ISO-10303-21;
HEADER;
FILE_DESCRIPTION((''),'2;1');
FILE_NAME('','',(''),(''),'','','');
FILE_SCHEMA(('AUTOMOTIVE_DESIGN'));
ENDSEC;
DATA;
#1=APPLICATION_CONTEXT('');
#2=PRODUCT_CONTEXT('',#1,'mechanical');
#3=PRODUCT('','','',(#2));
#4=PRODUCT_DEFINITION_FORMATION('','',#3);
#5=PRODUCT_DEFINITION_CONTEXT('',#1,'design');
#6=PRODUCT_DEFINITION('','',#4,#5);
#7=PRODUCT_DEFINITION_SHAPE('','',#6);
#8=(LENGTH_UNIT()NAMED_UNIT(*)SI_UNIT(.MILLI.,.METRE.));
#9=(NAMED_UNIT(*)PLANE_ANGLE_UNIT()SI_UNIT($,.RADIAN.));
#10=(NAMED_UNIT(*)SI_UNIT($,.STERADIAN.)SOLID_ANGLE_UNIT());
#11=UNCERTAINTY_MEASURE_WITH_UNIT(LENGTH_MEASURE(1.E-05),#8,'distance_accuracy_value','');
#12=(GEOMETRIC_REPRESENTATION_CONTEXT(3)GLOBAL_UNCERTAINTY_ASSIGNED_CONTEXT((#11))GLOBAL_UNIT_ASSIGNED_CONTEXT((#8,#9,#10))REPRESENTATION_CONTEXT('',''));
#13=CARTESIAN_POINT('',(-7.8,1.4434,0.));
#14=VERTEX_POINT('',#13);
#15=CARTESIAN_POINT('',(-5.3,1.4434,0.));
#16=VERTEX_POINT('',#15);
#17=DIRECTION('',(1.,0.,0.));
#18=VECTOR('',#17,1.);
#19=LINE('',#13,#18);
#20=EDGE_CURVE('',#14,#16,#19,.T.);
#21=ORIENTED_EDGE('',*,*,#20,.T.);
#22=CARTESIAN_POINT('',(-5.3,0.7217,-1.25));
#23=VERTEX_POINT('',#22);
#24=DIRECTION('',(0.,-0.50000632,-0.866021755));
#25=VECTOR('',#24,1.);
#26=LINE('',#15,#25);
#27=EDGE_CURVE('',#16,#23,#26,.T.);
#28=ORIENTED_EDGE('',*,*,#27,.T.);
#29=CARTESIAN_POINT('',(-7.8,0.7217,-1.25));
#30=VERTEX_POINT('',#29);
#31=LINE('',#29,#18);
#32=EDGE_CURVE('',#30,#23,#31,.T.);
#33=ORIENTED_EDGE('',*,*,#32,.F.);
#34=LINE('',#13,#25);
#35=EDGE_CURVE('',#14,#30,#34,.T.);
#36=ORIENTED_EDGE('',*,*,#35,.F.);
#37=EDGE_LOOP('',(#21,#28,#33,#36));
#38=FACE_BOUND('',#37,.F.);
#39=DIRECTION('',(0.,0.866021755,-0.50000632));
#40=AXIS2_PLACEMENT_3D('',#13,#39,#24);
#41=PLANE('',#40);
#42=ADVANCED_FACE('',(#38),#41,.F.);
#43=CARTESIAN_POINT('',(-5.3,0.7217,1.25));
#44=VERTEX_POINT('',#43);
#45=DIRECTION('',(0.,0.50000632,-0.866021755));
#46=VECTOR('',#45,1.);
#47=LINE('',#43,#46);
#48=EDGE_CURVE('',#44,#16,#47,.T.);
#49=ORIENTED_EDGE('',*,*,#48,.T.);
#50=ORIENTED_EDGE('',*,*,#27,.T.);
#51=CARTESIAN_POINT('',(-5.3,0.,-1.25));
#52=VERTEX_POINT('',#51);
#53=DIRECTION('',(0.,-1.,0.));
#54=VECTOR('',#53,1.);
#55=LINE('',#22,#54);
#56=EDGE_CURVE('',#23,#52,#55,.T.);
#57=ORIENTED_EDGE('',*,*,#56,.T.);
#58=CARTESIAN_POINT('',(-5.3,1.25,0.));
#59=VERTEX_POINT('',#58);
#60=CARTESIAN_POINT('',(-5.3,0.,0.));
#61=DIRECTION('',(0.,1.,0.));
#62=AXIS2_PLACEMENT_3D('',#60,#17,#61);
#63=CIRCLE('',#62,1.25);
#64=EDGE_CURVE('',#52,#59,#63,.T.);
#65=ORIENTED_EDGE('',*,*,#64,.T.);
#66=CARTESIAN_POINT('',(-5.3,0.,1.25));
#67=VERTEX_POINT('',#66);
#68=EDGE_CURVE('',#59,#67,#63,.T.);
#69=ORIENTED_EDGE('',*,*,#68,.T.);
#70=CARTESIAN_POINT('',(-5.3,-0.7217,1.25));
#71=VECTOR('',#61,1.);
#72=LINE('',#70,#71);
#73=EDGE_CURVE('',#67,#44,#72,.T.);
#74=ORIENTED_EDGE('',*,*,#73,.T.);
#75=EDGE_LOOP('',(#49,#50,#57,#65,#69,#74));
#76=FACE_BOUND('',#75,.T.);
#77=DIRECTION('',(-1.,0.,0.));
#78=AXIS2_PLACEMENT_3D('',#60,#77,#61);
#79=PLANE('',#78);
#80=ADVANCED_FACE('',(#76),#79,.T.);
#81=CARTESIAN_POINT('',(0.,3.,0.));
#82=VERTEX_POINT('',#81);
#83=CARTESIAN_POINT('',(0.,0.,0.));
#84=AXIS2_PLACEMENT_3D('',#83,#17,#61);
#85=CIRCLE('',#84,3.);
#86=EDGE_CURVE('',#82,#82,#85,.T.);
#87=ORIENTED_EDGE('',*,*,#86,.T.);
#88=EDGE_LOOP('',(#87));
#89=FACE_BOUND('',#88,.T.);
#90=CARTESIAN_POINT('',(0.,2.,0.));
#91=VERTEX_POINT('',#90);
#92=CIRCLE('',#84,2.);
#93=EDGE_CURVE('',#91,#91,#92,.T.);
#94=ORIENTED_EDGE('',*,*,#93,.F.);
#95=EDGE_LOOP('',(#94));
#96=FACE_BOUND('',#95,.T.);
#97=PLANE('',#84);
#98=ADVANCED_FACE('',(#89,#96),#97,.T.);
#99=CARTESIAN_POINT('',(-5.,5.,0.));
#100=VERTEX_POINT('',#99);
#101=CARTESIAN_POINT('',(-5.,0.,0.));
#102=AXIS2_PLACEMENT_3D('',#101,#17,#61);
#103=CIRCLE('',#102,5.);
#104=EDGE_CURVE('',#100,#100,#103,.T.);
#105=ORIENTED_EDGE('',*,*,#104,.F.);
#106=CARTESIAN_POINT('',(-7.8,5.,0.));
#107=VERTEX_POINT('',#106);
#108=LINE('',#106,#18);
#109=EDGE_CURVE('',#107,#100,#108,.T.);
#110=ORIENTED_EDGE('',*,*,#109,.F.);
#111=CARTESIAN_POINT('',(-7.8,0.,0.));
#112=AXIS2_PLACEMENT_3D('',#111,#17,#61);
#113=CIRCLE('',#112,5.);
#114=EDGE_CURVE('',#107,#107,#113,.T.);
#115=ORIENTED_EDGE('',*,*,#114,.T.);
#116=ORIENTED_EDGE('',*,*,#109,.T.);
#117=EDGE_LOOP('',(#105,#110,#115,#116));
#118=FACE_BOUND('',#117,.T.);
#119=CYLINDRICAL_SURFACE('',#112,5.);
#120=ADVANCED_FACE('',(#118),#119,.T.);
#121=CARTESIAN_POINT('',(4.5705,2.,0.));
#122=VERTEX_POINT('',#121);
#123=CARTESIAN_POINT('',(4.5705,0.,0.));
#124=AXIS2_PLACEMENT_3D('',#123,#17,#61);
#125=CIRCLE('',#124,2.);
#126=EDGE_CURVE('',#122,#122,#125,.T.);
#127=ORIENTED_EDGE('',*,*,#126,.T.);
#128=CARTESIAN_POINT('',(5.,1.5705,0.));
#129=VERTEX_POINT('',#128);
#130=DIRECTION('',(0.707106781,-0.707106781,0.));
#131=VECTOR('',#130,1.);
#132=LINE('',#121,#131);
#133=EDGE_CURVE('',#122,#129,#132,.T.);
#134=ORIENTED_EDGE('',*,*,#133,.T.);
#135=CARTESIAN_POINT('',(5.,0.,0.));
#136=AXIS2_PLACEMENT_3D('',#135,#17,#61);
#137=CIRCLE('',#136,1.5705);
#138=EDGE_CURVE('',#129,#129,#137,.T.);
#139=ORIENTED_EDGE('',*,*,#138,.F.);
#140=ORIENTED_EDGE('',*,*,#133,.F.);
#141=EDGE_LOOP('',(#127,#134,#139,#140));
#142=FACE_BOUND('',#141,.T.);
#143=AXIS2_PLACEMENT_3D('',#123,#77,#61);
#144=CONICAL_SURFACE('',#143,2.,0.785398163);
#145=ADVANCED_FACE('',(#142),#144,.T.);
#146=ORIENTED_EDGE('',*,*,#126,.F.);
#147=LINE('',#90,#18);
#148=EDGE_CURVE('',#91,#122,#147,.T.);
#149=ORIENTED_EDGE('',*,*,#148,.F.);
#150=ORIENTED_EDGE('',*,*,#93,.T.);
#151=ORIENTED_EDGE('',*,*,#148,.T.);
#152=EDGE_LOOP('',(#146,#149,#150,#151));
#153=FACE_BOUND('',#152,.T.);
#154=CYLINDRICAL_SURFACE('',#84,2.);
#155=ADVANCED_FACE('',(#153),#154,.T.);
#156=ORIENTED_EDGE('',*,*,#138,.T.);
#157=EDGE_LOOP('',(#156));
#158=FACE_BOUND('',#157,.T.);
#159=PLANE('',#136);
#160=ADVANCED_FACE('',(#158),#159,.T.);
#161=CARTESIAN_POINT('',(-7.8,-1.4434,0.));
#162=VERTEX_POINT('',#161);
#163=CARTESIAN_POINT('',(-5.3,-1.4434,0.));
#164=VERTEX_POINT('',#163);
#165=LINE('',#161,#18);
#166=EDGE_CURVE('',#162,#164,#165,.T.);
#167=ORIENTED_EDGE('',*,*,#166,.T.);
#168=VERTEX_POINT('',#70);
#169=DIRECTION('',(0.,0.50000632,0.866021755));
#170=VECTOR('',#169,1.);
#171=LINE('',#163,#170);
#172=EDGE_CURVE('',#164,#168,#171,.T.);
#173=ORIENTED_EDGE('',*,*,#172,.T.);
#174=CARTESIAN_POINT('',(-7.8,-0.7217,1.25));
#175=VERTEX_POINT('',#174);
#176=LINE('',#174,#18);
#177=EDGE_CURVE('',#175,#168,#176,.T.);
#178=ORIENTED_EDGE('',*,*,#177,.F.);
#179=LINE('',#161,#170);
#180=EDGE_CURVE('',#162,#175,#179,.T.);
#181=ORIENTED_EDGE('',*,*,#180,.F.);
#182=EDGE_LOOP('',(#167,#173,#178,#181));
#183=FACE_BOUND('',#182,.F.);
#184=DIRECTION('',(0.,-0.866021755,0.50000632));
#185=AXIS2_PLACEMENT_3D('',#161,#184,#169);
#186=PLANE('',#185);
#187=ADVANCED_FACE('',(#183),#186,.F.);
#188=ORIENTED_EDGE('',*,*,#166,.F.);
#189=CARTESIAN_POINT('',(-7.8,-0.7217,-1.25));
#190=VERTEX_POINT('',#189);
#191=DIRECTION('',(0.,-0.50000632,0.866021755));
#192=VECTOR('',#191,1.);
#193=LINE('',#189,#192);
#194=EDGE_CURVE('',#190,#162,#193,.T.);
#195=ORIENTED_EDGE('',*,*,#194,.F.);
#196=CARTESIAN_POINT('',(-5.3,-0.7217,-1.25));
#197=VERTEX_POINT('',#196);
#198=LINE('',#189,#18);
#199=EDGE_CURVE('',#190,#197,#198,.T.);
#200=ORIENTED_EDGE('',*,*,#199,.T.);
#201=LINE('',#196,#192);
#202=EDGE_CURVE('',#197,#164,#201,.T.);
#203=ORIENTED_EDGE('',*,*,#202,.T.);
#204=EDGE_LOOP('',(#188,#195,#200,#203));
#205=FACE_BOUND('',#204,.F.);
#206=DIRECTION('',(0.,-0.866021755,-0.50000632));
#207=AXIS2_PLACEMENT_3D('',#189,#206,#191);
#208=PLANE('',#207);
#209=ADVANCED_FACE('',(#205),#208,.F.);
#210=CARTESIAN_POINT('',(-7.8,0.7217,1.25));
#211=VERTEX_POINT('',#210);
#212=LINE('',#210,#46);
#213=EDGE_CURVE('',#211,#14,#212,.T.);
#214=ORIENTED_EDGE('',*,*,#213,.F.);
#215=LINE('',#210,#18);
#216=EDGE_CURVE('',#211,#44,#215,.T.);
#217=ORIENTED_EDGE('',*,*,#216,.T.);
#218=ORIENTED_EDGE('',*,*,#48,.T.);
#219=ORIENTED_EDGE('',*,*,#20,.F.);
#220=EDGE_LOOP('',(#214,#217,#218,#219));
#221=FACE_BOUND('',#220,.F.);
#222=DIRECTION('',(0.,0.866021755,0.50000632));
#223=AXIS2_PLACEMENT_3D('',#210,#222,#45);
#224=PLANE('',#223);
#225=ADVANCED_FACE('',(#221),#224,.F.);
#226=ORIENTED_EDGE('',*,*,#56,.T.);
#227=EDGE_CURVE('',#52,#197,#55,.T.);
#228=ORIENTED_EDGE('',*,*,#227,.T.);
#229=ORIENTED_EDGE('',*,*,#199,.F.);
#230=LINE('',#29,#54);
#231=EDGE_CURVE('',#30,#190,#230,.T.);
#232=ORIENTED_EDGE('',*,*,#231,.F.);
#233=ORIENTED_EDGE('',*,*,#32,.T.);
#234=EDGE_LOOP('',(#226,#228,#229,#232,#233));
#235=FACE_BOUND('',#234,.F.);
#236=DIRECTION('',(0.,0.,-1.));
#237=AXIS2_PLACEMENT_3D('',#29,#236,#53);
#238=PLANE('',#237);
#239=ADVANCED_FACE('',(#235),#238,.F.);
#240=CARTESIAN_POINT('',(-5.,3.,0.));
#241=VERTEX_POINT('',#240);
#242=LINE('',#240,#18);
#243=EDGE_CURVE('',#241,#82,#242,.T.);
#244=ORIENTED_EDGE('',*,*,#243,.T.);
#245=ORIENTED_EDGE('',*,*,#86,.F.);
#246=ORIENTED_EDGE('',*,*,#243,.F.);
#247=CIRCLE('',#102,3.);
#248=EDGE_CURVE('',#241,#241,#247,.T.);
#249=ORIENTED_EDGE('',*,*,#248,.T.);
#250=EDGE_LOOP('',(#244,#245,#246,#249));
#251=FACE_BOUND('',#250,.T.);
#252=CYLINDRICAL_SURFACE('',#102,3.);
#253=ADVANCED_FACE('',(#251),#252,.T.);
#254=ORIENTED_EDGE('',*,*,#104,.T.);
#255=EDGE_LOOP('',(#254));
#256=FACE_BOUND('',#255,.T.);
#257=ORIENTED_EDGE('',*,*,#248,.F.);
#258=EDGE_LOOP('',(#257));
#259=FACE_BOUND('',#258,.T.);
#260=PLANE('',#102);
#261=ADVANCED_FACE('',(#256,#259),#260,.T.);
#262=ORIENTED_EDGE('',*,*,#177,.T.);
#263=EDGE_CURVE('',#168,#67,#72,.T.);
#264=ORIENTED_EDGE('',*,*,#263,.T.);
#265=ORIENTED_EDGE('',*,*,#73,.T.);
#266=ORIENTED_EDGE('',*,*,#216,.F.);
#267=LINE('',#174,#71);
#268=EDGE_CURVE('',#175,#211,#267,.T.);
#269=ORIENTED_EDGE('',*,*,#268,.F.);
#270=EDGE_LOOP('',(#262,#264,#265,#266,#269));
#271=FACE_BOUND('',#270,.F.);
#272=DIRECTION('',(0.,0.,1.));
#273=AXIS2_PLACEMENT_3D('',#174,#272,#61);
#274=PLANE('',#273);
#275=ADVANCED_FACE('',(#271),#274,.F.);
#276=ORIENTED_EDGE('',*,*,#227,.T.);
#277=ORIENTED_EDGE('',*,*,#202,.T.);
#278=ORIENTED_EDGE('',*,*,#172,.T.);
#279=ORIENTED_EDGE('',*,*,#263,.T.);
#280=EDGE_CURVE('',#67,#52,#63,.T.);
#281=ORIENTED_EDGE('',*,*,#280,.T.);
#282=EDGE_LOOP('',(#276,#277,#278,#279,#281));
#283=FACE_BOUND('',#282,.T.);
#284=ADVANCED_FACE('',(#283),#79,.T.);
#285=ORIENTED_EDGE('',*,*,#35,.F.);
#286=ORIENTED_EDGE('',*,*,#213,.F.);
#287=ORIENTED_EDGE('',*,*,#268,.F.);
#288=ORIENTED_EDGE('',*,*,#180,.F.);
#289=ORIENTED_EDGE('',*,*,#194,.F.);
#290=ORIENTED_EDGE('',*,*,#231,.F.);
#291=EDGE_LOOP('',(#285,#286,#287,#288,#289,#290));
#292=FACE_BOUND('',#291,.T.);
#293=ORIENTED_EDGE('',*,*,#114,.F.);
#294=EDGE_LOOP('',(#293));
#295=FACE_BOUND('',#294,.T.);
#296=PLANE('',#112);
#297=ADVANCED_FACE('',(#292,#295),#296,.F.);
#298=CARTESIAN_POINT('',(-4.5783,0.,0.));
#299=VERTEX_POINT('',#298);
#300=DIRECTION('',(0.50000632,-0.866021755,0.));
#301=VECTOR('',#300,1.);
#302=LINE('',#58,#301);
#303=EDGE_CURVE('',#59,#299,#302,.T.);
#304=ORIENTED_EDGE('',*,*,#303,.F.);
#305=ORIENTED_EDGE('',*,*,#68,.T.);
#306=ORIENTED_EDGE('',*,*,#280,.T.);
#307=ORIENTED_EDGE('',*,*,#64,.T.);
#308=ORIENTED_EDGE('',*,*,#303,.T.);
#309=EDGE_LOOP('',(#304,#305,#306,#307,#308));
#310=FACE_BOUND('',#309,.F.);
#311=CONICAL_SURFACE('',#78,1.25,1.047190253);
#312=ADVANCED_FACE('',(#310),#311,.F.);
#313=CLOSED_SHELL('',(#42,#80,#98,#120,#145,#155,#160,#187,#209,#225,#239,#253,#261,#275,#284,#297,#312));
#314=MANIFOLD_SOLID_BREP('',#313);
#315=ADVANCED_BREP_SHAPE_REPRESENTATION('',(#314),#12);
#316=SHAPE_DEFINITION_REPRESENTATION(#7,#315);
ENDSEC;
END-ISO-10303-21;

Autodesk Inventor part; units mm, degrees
ref_plane "YZ Plane" through (0, 0, 0) normal (1, 0, 0) x (0, 1, 0)
ref_plane "XZ Plane" through (0, 0, 0) normal (0, 1, 0) x (-1, 0, 0)
ref_plane "XY Plane" through (0, 0, 0) normal (0, 0, 1) x (1, 0, 0)
sketch "Sketch_1" plane through (0, 0, 0) normal (0, 0, 1) x (1, 0, 0)
  line L0 (5, 0) -> (-7.8, 0)
  line L1 (-7.8, 0) -> (-7.8, 5)
  line L2 (-7.8, 5) -> (-5, 5)
  line L3 (-5, 5) -> (-5, 3)
  line L4 (-5, 3) -> (0, 3)
  line L5 (0, 3) -> (0, 2)
  line L6 (0, 2) -> (4.5705, 2)
  line L7 (4.5705, 2) -> (5, 1.5705)
  line L8 (5, 1.5705) -> (5, 0)
  line L9 (5, 0) -> (-7.8, 0)
revolve "Revolution1" add sketch "Sketch_1" angle 360 about axis through (5, 0, 0) along (1, 0, 0)
thread "Thread1" size "M4x0.7" class "6g" standard "ISO Metric profile" length 3.3705
sketch "Sketch_2" plane through (-7.8, 0, 0) normal (-1, 0, 0) x (0, 1, 0)
  line L0 (-1.4434, 0) -> (-0.7217, -1.25)
  line L1 (-0.7217, -1.25) -> (0.7217, -1.25)
  line L2 (0.7217, -1.25) -> (1.4434, 0)
  line L3 (1.4434, 0) -> (0.7217, 1.25)
  line L4 (0.7217, 1.25) -> (-0.7217, 1.25)
  line L5 (-0.7217, 1.25) -> (-1.4434, 0)
extrude "Extrusion1" cut sketch "Sketch_2" against normal blind 2.5
sketch "Sketch_3" plane through (0, 0, 0) normal (0, 0, 1) x (1, 0, 0)
  line L0 (-4.5783, 0) -> (-5.3, 0)
  line L1 (-5.3, 0) -> (-5.3, 1.25)
  line L2 (-5.3, 1.25) -> (-4.5783, 0)
  line L3 (-4.5783, 0) -> (-5.3, 0)
revolve "Revolution2" cut sketch "Sketch_3" angle 360 about axis through (-4.5783, 0, 0) along (1, 0, 0)
properties part number "DBS4-5-5"
